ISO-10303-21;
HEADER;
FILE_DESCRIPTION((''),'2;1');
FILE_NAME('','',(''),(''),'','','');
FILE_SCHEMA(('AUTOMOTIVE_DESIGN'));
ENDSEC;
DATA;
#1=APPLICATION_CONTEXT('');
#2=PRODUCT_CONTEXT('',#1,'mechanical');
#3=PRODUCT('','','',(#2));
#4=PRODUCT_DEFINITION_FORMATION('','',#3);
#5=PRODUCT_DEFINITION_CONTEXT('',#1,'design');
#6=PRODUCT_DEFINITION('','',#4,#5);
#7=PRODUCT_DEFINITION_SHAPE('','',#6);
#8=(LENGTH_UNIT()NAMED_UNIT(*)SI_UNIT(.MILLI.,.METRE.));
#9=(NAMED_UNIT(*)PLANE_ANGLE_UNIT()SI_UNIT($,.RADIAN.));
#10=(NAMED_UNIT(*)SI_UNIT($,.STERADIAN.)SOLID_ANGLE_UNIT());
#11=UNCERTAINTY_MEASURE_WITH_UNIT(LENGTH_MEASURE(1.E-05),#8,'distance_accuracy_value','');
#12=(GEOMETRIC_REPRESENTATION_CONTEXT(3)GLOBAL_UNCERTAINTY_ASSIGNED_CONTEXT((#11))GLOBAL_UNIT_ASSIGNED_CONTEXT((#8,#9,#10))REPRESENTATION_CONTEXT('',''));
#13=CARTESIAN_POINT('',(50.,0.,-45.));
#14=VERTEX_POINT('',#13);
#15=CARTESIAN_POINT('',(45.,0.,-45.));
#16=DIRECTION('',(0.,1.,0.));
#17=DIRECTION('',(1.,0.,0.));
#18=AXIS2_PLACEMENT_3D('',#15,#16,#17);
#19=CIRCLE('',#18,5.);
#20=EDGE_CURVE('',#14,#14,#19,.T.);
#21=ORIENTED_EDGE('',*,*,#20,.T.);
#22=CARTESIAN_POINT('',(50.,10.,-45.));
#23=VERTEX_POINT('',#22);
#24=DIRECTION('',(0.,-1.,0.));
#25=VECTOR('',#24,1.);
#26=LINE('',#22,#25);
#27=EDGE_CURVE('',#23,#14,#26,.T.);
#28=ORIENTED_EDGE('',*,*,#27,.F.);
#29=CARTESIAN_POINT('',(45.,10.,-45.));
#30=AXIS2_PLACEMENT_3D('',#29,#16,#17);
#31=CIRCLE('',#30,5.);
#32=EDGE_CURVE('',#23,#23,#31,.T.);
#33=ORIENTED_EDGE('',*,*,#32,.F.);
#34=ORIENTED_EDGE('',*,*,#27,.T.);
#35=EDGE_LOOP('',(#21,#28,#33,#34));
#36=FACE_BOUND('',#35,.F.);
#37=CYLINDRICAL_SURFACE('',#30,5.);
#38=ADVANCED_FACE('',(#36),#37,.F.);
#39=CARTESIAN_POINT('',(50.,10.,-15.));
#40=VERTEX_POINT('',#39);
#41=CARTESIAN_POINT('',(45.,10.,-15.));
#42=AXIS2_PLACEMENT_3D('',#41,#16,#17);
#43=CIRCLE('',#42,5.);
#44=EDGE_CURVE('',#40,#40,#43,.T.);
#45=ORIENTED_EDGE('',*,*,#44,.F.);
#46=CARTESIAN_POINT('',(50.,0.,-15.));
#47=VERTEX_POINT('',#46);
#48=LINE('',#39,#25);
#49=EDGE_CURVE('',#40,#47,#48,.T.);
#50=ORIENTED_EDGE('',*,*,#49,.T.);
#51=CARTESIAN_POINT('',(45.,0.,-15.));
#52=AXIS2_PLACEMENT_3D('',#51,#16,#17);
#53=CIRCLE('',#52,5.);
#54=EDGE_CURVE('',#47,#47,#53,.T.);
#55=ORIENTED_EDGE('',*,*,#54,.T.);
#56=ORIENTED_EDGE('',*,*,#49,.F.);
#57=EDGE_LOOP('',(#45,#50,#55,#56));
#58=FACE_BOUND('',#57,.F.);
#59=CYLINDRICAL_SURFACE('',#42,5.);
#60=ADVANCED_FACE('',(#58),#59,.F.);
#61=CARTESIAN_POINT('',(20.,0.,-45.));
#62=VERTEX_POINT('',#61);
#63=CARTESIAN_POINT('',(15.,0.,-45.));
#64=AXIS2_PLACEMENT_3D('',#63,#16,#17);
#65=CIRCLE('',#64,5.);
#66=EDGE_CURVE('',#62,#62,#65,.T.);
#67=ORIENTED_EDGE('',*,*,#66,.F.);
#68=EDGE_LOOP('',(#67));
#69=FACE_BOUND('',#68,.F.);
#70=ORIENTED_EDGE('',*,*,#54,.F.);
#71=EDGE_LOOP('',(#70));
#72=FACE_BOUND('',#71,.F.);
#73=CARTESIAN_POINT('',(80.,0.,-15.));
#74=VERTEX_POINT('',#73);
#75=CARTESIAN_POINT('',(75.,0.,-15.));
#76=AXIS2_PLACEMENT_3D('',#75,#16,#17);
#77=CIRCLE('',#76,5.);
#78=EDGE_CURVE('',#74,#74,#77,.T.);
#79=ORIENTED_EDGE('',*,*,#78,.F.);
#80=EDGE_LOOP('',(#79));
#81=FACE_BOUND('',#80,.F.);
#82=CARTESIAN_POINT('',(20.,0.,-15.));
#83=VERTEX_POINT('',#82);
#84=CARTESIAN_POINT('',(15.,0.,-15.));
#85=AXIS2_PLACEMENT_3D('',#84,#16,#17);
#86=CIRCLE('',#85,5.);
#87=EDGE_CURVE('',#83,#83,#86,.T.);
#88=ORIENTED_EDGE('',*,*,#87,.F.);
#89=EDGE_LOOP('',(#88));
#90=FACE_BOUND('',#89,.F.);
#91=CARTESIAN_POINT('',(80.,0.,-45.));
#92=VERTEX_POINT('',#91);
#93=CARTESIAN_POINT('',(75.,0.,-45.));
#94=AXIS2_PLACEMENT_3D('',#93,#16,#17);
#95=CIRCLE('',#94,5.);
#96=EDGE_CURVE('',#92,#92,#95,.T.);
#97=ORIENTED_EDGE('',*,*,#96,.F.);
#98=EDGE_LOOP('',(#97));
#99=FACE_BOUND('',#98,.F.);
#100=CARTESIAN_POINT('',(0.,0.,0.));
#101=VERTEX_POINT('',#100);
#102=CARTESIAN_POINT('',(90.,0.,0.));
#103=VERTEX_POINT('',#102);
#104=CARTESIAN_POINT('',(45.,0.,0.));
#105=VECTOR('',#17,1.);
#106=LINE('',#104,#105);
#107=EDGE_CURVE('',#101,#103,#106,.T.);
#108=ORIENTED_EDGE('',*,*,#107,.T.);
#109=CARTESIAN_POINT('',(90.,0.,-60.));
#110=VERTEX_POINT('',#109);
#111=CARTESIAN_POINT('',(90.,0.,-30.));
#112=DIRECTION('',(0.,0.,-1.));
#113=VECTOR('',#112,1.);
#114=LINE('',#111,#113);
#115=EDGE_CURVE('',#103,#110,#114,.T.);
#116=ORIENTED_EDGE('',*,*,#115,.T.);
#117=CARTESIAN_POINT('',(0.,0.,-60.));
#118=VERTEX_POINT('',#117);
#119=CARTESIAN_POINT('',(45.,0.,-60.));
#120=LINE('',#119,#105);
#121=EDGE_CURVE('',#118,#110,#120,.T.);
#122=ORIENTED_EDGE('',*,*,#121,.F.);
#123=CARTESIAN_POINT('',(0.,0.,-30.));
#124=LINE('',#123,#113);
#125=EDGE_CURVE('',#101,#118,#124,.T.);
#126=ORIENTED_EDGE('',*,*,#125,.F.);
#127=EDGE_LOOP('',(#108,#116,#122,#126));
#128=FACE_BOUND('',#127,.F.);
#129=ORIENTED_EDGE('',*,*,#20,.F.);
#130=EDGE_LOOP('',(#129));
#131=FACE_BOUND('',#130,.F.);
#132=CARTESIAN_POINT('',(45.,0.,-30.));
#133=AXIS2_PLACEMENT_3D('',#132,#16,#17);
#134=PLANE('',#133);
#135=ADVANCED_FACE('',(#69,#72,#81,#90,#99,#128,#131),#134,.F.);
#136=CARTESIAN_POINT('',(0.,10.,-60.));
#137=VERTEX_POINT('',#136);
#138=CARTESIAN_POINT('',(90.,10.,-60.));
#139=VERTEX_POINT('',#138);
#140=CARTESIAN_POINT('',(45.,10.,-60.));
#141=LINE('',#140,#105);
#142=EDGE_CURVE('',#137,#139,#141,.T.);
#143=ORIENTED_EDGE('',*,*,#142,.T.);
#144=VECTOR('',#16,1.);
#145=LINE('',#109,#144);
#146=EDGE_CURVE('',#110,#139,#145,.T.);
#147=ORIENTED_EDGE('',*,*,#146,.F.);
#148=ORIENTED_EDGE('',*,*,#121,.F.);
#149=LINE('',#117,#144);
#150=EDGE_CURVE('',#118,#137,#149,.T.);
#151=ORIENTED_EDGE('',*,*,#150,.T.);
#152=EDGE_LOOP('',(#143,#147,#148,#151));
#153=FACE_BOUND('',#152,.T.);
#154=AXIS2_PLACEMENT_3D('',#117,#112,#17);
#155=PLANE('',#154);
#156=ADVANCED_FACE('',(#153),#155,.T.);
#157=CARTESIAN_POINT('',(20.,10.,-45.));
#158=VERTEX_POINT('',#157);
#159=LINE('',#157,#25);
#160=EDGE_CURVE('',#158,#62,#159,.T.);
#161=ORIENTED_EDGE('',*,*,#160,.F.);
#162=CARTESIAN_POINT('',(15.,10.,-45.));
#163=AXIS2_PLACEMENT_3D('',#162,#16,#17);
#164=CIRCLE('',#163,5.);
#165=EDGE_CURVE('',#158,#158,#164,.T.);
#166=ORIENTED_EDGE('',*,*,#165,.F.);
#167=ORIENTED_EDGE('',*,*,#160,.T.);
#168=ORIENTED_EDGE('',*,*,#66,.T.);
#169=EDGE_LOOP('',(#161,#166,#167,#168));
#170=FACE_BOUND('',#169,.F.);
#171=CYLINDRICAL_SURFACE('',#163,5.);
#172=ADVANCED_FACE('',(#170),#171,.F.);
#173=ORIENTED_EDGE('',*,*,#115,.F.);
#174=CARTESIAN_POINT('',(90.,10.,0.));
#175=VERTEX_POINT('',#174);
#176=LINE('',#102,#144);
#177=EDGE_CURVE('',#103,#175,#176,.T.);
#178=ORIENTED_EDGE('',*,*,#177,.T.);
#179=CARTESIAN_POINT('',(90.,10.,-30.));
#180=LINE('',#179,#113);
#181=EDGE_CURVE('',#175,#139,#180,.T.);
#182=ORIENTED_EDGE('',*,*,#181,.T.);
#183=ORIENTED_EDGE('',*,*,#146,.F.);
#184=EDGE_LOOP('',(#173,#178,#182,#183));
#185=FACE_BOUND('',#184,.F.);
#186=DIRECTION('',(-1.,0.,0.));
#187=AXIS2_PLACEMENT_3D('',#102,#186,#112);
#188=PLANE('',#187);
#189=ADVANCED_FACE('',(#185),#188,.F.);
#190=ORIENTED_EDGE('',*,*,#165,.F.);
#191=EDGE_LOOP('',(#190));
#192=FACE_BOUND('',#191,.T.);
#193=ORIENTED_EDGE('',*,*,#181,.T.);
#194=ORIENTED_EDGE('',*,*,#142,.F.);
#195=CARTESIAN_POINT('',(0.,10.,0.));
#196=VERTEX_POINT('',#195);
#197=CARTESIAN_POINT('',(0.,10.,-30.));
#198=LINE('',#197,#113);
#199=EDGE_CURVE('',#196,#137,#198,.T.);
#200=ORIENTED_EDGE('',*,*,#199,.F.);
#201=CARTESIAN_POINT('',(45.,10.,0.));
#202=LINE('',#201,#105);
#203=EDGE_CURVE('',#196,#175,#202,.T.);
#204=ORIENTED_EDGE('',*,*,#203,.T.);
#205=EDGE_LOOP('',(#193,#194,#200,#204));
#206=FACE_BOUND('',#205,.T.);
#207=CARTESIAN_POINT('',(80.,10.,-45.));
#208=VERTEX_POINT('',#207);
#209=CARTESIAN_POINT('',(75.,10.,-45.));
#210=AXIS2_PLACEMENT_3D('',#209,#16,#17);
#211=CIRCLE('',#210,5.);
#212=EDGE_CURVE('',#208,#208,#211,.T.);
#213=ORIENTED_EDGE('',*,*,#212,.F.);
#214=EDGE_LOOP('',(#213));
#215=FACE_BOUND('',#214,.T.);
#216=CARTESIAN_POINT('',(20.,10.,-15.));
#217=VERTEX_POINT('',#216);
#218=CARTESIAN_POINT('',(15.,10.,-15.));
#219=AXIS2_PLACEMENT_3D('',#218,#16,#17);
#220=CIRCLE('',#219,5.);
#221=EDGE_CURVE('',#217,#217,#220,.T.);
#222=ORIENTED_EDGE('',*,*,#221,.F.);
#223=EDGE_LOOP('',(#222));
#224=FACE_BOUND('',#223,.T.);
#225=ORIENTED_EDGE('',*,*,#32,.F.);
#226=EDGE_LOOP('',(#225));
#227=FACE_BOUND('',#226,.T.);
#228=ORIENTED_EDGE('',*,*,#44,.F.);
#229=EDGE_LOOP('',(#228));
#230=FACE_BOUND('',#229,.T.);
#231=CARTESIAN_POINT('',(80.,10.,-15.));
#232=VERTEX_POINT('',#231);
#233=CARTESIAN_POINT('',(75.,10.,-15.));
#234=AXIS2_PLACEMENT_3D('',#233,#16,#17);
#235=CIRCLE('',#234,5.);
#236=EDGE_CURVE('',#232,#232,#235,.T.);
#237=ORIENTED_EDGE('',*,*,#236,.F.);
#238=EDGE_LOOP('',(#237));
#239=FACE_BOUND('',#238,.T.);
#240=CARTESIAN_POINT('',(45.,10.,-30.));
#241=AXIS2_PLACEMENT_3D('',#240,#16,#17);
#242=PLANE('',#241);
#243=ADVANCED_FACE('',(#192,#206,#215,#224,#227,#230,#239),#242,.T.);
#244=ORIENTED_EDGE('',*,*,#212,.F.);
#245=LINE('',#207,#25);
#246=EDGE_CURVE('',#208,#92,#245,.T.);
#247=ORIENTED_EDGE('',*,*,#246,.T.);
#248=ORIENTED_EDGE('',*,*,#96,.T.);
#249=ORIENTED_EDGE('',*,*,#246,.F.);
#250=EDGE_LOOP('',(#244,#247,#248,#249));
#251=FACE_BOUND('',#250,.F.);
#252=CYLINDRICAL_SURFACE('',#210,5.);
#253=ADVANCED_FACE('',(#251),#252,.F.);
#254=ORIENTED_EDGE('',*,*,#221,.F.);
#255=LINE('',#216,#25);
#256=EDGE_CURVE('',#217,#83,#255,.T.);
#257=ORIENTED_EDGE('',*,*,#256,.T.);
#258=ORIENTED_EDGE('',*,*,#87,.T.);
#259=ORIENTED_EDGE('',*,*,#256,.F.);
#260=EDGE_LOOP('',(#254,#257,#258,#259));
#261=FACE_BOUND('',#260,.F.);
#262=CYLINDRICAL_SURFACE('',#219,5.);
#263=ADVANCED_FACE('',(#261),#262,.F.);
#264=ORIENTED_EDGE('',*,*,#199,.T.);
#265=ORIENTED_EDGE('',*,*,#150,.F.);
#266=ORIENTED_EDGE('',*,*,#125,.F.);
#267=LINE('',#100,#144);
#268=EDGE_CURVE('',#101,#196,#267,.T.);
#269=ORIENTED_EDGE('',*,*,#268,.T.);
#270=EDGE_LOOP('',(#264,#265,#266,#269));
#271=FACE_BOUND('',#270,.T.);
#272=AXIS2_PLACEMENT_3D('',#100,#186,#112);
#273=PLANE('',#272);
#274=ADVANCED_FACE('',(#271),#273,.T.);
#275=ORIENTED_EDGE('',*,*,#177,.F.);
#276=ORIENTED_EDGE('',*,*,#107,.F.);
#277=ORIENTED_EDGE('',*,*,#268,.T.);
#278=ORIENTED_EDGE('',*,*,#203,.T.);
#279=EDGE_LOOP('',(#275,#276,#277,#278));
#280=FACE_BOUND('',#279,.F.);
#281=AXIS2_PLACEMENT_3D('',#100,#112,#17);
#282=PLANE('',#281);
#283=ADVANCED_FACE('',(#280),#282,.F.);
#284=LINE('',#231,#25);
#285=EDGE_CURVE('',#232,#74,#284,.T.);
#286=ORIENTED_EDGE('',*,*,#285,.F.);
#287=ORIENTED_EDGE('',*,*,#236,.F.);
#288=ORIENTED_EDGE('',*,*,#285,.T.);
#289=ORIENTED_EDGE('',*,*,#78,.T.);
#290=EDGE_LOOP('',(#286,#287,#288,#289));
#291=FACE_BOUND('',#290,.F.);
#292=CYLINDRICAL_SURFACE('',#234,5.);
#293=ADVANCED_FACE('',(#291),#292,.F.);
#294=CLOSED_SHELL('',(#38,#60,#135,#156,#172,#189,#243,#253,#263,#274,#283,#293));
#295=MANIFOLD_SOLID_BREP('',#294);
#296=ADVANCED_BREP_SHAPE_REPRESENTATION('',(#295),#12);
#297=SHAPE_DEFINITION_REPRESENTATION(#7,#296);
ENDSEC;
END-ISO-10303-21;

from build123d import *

# Parameters (mm, degrees)
SKETCH1_W            = 90
SKETCH1_H            = 60
BOSS_EXTRUDE1_DEPTH  = 10
SKETCH2_R            = 5
CUT_EXTRUDE1_DEPTH   = 11
LPATTERN1_COUNT      = 4
LPATTERN1_PITCH      = 30
LPATTERN1_COUNT_DIR2 = 4
LPATTERN1_PITCH_DIR2 = 30


with BuildPart() as part:
    # Sketch1 → Boss-Extrude1 (new body)
    with BuildSketch(Plane(origin=(0, 0, 0), x_dir=(1, 0, 0), z_dir=(0, 1, 0))):
        with Locations((45, 30)):
            Rectangle(SKETCH1_W, SKETCH1_H)
    extrude(amount=BOSS_EXTRUDE1_DEPTH)

    # Sketch2 → Cut-Extrude1 (cut, through all)
    with BuildSketch(Plane(origin=(0, 10, 0), x_dir=(1, 0, 0), z_dir=(0, 1, 0))):
        with Locations((15, 15)):
            Circle(SKETCH2_R)
    cut_extrude1 = extrude(amount=-CUT_EXTRUDE1_DEPTH, mode=Mode.SUBTRACT)

    # LPattern1: Cut-Extrude1 4 × 4
    with Locations(*[(i * LPATTERN1_PITCH, 0, -j * LPATTERN1_PITCH_DIR2) for i in range(LPATTERN1_COUNT) for j in range(LPATTERN1_COUNT_DIR2) if (i, j) != (0, 0)]):
        add(cut_extrude1, mode=Mode.SUBTRACT)


solid = part.part
